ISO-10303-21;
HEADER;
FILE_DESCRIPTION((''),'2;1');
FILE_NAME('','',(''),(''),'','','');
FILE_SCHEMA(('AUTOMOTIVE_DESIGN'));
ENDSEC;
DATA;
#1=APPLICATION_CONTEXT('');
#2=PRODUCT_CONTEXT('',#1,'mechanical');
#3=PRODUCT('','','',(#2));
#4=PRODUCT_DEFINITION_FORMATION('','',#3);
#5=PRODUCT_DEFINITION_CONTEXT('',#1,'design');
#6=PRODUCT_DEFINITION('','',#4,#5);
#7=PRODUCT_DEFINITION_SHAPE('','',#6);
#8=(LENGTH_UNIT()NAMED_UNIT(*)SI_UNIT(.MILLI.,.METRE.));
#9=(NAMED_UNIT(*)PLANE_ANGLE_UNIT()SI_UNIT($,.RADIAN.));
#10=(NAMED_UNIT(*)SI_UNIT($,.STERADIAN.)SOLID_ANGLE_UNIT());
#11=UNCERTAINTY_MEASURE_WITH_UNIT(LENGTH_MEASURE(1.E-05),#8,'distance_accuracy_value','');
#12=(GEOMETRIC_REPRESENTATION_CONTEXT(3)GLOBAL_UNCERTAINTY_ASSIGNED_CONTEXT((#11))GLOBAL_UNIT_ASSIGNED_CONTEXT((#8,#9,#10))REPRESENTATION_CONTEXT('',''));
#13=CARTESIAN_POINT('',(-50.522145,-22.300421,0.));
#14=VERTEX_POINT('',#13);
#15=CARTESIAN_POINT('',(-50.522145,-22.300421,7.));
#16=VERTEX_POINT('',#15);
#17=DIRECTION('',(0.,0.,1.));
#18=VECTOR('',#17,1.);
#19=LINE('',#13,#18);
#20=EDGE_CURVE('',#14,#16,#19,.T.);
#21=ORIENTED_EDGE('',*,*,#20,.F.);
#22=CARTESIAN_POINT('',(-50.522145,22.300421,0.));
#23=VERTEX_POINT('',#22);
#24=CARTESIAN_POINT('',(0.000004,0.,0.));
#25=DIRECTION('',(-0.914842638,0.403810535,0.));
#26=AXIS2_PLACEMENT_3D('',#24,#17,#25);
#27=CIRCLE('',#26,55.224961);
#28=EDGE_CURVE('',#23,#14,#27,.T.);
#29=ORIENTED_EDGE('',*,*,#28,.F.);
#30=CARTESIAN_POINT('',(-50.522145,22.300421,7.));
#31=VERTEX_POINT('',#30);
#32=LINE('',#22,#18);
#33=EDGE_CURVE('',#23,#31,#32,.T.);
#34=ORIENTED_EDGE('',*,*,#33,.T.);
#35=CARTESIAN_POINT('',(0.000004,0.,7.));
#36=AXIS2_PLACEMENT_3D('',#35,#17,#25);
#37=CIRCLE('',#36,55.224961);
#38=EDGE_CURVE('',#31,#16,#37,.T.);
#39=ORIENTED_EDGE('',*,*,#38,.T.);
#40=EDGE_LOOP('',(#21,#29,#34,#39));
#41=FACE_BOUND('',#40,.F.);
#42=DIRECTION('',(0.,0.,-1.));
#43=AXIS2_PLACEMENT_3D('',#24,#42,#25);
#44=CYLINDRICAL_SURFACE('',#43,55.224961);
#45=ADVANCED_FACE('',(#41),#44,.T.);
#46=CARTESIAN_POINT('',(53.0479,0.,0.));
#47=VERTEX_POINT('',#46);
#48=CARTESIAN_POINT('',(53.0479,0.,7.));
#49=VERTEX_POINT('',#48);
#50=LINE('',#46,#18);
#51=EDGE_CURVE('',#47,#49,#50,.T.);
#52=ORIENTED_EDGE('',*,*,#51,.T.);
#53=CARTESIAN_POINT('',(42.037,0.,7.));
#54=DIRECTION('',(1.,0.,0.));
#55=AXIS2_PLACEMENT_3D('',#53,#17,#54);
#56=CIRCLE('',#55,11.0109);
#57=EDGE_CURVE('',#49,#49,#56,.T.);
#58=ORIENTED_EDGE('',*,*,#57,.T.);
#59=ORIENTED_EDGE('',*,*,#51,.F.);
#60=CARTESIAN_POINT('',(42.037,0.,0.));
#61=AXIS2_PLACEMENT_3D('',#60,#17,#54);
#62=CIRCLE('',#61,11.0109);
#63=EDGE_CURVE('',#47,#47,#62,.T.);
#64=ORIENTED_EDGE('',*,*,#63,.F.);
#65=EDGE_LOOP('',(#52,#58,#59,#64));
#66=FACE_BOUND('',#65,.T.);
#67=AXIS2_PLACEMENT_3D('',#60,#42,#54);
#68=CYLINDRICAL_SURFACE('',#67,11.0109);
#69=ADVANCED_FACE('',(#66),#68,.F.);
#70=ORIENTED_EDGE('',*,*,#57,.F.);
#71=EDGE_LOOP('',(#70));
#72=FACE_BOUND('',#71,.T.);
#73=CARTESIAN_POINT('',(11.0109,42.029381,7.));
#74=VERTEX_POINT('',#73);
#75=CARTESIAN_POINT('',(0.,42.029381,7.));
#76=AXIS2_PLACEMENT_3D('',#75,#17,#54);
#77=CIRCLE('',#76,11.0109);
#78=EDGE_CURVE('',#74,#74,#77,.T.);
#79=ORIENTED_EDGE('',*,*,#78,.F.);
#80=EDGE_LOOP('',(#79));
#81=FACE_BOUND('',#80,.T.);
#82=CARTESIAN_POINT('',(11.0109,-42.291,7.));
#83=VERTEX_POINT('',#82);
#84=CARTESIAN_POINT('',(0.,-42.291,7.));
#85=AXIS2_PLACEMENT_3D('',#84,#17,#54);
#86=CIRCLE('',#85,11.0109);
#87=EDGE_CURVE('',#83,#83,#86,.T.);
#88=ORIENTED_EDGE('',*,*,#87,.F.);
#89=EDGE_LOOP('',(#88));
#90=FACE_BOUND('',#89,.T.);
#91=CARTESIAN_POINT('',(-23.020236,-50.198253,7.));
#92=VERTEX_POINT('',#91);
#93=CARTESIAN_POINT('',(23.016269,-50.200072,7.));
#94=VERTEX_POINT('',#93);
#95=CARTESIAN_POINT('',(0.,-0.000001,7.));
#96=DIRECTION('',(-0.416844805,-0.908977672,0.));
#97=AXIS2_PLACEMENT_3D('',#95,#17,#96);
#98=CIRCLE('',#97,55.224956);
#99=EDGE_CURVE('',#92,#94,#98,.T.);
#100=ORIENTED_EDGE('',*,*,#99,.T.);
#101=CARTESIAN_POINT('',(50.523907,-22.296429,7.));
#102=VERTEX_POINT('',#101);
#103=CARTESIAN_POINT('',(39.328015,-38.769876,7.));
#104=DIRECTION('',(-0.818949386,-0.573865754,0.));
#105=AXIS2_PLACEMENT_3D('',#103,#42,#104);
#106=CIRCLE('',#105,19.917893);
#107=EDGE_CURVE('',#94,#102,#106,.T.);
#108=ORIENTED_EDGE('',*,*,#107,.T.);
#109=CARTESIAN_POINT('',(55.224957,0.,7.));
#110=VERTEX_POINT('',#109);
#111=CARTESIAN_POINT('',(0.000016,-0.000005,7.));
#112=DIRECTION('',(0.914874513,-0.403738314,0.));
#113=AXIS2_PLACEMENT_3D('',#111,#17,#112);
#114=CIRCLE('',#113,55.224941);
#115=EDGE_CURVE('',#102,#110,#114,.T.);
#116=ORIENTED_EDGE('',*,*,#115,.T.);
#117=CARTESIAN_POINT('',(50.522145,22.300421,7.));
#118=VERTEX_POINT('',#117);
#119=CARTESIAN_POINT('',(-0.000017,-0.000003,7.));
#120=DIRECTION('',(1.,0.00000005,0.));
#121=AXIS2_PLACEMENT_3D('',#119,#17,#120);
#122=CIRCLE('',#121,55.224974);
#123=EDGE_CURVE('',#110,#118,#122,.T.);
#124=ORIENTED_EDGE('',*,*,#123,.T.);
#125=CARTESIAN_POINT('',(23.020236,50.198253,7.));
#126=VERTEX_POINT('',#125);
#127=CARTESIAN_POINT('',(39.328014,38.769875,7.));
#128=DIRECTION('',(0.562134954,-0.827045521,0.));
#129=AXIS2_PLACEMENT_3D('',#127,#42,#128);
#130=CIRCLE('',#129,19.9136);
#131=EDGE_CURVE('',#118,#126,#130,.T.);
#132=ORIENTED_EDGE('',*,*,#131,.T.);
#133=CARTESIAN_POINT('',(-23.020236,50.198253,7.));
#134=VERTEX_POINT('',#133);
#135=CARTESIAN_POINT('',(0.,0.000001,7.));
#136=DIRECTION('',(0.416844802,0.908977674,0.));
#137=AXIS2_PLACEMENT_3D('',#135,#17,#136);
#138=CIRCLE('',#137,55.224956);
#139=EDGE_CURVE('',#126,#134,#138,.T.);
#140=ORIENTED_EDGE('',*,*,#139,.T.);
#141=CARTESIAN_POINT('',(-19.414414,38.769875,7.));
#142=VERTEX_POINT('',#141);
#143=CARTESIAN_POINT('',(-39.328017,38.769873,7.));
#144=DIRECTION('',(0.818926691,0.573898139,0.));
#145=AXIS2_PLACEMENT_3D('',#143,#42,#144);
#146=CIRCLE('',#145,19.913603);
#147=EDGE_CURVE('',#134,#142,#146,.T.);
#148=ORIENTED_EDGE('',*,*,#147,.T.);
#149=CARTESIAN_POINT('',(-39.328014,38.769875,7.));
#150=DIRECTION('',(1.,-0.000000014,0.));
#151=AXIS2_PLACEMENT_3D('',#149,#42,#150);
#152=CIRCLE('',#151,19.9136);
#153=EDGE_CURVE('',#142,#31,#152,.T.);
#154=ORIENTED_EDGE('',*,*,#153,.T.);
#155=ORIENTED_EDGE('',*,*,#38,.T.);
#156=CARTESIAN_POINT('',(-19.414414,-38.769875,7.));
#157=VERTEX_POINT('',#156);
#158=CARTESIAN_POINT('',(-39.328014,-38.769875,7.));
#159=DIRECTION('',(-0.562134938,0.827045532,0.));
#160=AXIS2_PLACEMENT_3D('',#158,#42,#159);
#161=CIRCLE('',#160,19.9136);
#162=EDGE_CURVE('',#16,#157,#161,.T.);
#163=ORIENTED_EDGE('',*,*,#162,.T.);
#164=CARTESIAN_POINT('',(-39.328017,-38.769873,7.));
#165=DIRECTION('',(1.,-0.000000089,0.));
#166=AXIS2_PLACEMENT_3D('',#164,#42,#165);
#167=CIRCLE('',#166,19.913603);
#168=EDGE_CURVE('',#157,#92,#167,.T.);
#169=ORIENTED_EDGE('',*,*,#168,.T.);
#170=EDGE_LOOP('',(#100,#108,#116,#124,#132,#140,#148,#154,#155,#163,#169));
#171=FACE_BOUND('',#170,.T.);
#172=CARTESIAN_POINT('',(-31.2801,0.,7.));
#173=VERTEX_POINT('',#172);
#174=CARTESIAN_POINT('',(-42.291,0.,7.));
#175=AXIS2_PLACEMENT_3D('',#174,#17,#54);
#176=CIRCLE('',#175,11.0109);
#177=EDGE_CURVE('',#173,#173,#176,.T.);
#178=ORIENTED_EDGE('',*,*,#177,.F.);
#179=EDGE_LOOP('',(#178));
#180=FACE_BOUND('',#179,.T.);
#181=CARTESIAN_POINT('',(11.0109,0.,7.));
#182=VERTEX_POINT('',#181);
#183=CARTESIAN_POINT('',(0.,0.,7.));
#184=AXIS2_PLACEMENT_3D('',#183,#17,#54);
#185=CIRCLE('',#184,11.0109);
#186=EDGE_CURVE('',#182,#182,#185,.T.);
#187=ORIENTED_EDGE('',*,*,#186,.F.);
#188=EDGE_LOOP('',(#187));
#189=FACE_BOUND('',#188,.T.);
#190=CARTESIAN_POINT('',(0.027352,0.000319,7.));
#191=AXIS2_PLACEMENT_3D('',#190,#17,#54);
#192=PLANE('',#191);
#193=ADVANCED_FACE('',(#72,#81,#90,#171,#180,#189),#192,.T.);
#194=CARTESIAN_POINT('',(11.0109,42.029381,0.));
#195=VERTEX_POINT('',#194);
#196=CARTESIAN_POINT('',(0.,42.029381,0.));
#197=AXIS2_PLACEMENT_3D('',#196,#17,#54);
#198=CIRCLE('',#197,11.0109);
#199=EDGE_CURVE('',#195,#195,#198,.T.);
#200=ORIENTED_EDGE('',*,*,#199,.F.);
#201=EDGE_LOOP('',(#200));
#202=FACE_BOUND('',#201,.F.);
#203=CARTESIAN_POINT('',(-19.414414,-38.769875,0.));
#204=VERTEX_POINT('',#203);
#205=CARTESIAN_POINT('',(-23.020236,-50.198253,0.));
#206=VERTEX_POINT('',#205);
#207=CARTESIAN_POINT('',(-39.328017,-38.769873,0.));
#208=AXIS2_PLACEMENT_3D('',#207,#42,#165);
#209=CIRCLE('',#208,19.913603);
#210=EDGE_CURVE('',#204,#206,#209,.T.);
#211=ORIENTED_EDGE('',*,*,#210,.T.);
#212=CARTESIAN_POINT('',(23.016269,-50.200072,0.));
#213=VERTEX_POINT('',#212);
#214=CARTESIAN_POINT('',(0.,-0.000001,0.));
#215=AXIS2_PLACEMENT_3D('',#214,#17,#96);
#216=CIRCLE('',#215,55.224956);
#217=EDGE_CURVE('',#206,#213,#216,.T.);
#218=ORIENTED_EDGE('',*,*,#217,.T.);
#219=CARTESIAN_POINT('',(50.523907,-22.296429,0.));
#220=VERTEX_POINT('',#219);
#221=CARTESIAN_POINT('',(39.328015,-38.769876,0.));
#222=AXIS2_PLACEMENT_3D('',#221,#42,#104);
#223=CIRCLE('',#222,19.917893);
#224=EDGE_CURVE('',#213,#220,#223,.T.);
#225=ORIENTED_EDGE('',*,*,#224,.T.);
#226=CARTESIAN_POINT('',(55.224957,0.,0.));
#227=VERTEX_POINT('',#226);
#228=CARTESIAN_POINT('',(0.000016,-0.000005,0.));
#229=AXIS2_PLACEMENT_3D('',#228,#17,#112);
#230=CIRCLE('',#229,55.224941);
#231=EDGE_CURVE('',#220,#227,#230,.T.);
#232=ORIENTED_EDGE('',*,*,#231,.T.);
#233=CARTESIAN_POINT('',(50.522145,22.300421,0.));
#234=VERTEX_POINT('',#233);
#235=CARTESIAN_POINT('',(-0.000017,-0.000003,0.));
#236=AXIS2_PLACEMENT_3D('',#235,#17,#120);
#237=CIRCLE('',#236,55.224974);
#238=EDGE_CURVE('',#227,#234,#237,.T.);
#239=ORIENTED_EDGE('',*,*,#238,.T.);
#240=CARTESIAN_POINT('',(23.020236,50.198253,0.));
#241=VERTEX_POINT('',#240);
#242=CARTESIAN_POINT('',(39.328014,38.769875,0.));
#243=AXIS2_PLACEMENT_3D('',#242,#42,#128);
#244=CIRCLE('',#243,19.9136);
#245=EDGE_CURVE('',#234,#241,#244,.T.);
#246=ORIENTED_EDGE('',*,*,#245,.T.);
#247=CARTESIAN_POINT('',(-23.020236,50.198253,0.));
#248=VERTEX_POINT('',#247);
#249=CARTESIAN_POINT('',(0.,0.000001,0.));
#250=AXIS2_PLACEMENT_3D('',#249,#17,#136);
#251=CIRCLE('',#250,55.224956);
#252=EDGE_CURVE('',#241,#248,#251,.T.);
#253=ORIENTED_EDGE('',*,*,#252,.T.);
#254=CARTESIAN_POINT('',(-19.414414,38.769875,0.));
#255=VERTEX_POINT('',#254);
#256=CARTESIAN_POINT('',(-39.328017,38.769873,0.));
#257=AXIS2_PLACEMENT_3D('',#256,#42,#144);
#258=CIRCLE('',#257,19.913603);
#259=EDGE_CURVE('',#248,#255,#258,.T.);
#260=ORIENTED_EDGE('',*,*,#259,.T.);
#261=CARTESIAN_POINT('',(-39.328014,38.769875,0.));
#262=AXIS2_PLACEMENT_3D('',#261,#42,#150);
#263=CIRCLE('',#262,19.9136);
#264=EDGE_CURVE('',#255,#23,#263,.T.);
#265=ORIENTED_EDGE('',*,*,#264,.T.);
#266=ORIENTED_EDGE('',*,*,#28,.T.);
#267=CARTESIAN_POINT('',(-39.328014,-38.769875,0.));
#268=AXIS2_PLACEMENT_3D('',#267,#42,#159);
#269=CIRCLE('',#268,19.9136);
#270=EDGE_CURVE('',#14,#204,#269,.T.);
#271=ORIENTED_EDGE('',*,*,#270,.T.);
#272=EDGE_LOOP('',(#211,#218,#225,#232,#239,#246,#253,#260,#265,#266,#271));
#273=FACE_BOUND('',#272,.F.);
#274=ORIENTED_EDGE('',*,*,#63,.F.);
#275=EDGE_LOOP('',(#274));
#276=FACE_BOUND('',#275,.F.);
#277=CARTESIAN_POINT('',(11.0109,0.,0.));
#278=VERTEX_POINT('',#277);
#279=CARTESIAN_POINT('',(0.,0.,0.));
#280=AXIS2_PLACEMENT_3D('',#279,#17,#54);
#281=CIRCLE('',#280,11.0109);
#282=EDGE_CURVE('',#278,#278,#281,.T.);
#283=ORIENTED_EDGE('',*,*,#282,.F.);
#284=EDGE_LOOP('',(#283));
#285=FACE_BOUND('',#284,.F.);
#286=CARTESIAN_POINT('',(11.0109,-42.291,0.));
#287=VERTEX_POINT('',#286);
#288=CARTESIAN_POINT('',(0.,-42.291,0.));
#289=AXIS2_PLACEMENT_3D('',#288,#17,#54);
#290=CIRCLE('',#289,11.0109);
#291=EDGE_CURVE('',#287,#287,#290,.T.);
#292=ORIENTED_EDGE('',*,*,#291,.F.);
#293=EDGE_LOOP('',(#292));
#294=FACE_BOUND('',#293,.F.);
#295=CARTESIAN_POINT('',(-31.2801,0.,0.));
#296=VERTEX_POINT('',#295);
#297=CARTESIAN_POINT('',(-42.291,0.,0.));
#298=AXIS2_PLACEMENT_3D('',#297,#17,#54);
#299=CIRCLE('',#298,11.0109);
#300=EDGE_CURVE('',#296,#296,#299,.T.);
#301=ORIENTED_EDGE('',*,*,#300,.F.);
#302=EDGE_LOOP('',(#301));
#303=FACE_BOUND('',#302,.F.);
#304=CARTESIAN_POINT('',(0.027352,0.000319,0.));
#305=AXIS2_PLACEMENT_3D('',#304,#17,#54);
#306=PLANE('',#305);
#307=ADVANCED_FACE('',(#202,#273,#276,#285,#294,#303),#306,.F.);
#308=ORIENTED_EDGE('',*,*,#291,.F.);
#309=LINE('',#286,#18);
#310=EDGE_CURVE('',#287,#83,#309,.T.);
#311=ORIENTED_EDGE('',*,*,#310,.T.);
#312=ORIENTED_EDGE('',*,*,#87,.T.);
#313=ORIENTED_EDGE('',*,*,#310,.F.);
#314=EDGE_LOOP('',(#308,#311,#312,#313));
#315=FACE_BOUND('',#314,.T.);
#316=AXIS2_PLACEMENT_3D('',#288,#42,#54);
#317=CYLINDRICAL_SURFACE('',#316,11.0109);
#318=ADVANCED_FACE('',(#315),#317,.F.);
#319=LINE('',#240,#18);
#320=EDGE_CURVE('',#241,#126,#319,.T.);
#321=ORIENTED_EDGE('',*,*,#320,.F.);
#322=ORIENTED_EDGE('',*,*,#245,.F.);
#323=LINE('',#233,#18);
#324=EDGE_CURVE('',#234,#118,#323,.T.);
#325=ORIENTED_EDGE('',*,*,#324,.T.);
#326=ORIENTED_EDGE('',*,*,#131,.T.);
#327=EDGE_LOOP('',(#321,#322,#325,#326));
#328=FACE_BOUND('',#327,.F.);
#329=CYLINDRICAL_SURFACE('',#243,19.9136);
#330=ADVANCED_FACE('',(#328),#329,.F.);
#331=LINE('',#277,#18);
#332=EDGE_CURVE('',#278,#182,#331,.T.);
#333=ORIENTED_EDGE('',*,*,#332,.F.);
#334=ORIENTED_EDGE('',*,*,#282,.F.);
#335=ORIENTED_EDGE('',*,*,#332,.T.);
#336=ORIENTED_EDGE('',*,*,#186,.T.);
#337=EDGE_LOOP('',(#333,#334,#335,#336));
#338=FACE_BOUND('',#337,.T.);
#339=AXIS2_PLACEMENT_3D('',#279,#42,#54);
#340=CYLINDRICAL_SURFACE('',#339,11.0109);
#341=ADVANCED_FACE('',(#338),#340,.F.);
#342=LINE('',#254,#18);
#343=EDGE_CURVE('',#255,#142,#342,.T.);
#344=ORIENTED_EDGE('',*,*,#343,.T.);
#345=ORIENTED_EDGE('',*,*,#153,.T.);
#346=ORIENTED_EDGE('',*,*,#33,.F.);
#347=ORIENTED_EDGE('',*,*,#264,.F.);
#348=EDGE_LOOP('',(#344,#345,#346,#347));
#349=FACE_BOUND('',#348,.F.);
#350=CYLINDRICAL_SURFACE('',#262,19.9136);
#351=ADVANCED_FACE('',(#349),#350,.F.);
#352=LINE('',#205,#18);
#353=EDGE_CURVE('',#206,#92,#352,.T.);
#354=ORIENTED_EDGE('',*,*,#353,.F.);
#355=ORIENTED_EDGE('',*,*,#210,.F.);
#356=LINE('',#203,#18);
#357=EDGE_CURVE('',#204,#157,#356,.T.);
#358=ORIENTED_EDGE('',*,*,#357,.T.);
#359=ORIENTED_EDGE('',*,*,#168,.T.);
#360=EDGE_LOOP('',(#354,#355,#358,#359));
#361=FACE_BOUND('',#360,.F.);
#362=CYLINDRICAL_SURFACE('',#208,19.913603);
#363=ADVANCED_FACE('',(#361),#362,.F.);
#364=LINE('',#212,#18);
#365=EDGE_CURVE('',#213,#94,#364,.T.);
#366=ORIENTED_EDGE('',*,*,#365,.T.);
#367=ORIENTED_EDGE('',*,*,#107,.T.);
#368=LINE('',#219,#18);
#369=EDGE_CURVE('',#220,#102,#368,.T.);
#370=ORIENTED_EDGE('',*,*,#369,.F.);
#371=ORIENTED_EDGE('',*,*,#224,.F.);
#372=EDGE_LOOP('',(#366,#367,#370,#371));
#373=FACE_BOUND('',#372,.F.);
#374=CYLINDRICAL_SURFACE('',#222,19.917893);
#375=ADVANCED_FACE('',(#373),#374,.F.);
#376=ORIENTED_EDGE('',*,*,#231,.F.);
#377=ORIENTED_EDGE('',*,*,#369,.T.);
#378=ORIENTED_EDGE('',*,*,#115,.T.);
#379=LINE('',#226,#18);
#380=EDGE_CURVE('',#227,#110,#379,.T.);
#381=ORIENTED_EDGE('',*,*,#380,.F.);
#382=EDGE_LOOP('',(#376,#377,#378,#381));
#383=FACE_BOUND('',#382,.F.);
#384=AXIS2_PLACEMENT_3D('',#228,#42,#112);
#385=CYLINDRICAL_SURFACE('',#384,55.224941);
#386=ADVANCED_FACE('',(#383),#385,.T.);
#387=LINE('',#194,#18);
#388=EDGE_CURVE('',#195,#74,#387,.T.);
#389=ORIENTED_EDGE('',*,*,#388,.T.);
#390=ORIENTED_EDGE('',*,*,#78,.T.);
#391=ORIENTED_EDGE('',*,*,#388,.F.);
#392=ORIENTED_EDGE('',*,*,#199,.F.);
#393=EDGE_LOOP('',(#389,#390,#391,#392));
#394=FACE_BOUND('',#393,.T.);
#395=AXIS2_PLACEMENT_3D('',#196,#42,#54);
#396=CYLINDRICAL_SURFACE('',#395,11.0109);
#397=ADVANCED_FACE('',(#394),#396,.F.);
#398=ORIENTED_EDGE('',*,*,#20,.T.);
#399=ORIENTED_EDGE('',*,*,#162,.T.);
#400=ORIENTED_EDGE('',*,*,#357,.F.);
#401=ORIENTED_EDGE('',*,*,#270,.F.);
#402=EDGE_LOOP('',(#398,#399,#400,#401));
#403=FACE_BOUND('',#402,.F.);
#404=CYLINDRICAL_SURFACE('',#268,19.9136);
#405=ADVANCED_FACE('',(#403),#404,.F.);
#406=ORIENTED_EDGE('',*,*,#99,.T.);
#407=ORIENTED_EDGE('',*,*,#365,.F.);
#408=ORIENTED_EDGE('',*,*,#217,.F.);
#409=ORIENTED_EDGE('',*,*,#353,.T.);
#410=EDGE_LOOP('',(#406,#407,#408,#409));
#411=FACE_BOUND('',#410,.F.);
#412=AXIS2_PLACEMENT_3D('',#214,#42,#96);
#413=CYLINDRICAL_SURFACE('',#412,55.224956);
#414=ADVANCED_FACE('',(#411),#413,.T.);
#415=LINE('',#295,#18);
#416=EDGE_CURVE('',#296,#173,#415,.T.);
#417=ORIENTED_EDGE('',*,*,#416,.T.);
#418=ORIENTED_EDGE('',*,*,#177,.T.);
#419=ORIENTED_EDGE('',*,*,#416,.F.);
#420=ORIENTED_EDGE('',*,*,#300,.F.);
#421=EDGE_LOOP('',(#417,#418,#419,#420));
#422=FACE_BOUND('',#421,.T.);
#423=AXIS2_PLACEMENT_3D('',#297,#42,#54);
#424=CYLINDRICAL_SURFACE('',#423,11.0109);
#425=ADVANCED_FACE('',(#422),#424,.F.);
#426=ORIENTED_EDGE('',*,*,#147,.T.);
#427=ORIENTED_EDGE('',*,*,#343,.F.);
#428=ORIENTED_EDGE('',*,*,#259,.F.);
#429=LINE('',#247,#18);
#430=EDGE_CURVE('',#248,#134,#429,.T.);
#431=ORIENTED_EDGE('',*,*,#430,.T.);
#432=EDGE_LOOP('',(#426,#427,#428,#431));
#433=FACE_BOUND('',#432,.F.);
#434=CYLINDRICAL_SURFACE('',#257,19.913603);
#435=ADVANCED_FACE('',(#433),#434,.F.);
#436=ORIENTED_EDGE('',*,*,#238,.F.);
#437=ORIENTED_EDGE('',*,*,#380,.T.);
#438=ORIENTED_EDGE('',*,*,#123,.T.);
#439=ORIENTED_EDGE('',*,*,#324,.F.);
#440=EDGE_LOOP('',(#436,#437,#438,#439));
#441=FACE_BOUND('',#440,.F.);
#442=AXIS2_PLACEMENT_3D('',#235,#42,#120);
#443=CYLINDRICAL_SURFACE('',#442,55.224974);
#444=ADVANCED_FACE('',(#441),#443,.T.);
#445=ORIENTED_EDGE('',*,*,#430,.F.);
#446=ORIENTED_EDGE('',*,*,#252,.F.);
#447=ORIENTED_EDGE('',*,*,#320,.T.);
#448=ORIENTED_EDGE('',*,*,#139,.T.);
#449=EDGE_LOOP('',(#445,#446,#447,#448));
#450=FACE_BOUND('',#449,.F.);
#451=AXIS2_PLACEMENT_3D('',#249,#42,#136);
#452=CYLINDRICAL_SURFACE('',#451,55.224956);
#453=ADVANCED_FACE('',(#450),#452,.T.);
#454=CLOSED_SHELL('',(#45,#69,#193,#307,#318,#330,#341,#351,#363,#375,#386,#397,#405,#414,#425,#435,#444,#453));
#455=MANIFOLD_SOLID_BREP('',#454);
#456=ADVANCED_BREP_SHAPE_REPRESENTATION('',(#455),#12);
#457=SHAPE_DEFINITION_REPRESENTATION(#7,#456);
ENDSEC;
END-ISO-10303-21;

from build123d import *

# Parameters (mm, degrees)
F0_R     = 11.0109
F1_DEPTH = 7


with BuildPart() as f1:
    # F0 (on Top) → F1 (new body)
    with BuildSketch(Plane.XY):
        with BuildLine():
            ThreePointArc((50.523907, -22.296429), (54.036916, -11.393316), (55.224957, 0))
            ThreePointArc((55.224957, 0), (54.036465, 11.395451), (50.522145, 22.300421))
            ThreePointArc((50.522145, 22.300421), (25.146702, 24.789823), (23.020236, 50.198253))
            ThreePointArc((23.020236, 50.198253), (0, 55.224957), (-23.020236, 50.198253))
            ThreePointArc((-23.020236, 50.198253), (-20.337253, 44.76174), (-19.414414, 38.769875))
            ThreePointArc((-19.414414, 38.769875), (-30.010396, 21.170629), (-50.522145, 22.300421))
            ThreePointArc((-50.522145, 22.300421), (-55.224957, 0), (-50.522145, -22.300421))
            ThreePointArc((-50.522145, -22.300421), (-30.010396, -21.170629), (-19.414414, -38.769875))
            ThreePointArc((-19.414414, -38.769875), (-20.337253, -44.76174), (-23.020236, -50.198253))
            ThreePointArc((-23.020236, -50.198253), (-0.002182, -55.224957), (23.016269, -50.200072))
            ThreePointArc((23.016269, -50.200072), (25.143646, -24.78681), (50.523907, -22.296429))
        make_face()
        with Locations((0, -42.291)):
            Circle(F0_R, mode=Mode.SUBTRACT)
        with Locations((-42.291, 0)):
            Circle(F0_R, mode=Mode.SUBTRACT)
        Circle(F0_R, mode=Mode.SUBTRACT)
        with Locations((0, 42.029381)):
            Circle(F0_R, mode=Mode.SUBTRACT)
        with Locations((42.037, 0)):
            Circle(F0_R, mode=Mode.SUBTRACT)
    extrude(amount=F1_DEPTH)


solid = f1.part
